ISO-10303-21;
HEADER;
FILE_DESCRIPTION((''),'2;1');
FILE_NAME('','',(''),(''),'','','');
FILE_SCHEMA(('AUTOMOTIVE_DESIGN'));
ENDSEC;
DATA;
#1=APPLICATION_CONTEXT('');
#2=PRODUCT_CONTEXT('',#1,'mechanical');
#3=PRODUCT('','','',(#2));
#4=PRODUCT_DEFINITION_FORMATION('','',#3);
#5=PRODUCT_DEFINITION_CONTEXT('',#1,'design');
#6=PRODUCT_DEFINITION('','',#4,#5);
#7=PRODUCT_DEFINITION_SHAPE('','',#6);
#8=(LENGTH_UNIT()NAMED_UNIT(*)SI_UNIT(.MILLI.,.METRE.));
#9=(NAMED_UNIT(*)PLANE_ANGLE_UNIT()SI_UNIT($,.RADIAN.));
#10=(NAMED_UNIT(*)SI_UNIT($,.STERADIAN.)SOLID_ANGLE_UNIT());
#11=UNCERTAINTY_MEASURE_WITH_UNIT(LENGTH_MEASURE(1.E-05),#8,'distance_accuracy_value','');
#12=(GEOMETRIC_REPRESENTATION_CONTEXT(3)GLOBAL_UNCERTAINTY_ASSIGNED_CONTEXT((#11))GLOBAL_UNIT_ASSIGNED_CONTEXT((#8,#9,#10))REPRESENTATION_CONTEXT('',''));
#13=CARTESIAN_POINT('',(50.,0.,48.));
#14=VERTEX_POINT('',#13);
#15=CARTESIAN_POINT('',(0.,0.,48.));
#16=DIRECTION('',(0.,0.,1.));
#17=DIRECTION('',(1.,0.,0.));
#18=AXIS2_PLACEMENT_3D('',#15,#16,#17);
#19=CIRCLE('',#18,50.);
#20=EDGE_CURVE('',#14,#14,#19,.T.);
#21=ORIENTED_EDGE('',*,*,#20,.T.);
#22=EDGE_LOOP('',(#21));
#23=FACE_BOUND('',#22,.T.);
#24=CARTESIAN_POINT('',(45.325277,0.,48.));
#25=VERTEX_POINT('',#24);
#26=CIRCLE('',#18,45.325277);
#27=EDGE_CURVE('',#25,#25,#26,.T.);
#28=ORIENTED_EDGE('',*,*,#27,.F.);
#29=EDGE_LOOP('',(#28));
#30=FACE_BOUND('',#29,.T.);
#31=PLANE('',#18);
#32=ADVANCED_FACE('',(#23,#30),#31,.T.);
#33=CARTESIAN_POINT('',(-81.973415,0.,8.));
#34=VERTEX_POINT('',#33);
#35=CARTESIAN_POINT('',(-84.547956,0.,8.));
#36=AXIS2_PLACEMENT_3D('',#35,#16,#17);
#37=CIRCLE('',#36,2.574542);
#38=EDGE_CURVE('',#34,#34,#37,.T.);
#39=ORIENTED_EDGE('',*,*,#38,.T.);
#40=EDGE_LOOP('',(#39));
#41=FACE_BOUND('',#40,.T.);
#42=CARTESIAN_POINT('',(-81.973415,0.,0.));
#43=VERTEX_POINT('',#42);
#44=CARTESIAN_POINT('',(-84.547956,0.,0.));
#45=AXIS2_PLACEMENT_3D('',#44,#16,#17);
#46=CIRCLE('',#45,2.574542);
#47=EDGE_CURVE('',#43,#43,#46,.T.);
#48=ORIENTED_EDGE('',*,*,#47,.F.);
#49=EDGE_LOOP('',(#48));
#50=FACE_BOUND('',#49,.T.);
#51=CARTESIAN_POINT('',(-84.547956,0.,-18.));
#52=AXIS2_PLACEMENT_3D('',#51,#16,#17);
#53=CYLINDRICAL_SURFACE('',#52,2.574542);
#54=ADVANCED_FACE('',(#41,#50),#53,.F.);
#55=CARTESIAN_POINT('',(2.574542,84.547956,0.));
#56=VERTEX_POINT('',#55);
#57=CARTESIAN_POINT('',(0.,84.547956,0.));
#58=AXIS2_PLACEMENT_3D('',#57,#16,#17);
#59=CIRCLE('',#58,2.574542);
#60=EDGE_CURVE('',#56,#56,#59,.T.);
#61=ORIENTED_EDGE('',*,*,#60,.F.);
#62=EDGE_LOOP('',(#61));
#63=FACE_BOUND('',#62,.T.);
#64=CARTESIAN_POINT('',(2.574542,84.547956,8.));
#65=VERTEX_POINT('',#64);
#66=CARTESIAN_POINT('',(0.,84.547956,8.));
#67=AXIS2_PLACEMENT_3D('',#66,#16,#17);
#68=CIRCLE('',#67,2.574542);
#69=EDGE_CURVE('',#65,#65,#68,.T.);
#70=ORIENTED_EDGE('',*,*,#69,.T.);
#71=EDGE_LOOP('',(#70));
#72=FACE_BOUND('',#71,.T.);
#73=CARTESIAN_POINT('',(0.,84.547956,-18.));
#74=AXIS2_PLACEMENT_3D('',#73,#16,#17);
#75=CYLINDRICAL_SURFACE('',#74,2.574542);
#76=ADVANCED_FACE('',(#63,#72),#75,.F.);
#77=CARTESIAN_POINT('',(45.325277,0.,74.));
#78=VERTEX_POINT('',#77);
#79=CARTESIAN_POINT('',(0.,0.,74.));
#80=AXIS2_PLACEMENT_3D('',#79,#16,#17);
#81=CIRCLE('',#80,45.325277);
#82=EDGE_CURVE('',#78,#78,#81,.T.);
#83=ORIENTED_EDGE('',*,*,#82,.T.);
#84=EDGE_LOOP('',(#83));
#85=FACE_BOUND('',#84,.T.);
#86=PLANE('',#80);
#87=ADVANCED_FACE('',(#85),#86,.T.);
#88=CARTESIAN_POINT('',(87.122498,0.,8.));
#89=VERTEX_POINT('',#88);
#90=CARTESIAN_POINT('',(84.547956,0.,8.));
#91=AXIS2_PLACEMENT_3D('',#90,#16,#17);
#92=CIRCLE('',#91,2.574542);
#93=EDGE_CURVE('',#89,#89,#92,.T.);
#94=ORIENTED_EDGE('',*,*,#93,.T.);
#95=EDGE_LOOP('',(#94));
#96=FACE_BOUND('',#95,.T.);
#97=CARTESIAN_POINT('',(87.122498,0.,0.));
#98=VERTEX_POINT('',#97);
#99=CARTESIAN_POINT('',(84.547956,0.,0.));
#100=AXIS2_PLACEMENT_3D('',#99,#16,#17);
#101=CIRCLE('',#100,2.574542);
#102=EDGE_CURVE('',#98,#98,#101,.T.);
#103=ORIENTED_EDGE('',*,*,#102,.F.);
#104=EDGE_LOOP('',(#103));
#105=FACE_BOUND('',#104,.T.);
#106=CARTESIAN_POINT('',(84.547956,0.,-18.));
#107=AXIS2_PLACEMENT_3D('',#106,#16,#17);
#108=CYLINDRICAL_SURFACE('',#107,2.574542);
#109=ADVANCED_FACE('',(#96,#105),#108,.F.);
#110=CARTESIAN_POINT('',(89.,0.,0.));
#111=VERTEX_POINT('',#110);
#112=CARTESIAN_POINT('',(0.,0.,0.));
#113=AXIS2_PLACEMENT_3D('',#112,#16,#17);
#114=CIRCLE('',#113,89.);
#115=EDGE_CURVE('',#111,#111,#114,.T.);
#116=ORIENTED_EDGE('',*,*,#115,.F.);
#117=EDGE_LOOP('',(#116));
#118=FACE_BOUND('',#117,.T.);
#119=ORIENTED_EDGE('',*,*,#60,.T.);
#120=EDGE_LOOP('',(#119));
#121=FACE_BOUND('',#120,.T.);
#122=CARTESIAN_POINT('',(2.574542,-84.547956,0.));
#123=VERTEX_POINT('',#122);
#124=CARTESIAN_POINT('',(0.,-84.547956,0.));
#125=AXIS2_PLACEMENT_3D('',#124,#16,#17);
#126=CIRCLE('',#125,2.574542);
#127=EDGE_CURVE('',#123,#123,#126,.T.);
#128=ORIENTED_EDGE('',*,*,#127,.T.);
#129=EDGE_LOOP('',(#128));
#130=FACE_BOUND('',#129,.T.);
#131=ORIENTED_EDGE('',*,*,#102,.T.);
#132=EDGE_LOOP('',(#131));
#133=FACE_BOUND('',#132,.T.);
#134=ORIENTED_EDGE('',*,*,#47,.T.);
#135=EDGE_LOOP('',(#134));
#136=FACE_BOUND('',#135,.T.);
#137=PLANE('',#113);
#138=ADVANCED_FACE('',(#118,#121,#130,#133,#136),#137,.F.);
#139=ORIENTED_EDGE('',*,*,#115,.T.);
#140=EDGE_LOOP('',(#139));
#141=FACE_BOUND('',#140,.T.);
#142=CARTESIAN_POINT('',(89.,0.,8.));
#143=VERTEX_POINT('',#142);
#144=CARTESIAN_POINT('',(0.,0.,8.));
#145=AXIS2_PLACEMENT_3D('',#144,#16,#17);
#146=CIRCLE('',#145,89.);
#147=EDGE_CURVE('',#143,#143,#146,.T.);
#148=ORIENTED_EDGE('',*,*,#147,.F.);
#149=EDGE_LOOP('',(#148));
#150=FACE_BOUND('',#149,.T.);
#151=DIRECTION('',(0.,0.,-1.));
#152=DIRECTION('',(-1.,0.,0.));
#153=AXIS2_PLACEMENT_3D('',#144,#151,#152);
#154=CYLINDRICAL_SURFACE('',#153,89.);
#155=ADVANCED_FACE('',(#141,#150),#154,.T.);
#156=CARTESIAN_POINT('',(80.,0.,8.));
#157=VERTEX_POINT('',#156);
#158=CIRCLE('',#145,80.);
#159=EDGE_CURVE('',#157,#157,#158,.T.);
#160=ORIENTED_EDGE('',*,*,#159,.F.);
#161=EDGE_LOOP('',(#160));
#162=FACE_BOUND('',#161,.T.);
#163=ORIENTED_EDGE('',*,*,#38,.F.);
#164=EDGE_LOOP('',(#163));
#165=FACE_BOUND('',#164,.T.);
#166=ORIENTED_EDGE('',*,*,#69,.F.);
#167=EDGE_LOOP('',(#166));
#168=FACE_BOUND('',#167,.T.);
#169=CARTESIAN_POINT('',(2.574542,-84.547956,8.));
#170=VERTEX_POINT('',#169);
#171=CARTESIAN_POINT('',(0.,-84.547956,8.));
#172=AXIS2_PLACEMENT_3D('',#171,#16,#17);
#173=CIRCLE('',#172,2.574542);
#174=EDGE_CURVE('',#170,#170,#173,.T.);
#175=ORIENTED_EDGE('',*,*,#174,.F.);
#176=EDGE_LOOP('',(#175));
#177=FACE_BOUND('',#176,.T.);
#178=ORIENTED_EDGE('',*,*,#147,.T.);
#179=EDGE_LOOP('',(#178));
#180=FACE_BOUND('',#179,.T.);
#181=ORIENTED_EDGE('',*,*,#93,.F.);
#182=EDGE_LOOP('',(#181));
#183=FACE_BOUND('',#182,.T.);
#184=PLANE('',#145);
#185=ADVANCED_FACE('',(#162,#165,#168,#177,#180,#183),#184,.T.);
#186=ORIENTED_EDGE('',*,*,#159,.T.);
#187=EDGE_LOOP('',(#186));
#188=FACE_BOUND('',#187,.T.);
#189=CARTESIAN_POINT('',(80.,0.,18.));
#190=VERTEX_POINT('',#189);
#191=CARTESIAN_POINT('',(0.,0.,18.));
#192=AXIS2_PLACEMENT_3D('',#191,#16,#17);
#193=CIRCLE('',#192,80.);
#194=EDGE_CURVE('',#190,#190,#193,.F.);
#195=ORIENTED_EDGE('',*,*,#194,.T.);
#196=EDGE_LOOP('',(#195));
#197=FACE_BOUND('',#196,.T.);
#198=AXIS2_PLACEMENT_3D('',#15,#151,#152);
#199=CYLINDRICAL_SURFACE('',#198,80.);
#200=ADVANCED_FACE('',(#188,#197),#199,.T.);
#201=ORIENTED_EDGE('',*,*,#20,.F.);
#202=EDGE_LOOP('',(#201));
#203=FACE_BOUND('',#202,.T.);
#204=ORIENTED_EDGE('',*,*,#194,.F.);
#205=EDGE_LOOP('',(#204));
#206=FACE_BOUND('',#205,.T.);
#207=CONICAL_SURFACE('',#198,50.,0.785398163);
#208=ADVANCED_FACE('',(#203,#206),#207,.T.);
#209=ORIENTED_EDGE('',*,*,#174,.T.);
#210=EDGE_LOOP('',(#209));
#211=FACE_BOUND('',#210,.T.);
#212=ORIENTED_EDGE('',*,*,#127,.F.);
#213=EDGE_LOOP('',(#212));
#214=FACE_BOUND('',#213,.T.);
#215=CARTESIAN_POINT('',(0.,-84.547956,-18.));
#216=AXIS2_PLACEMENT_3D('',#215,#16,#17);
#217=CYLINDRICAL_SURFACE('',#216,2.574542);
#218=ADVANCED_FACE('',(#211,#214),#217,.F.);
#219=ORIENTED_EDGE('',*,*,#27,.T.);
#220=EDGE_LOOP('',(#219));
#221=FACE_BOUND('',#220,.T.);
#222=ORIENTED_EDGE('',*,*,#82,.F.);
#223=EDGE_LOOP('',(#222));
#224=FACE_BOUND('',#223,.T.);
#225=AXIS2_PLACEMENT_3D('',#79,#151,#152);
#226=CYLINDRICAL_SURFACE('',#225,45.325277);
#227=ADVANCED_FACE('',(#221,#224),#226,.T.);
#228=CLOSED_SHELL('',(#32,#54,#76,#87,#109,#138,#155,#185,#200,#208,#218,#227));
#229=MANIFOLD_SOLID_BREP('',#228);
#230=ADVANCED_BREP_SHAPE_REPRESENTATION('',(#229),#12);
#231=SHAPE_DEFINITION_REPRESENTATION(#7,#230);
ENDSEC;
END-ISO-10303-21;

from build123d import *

# Parameters (mm, degrees)
SKETCH1_R           = 89
BOSS_EXTRUDE1_DEPTH = 8
SKETCH2_R           = 80
BOSS_EXTRUDE2_DEPTH = 40
CHAMFER2_SIZE       = 30
SKETCH5_R           = 45.325276546
BOSS_EXTRUDE3_DEPTH = 26
SKETCH6_R           = 2.574541915
CUT_EXTRUDE1_DEPTH  = 26


with BuildPart() as part:
    # Sketch1 → Boss-Extrude1 (new body)
    with BuildSketch(Plane.XY):
        Circle(SKETCH1_R)
    extrude(amount=BOSS_EXTRUDE1_DEPTH)

    # Sketch2 → Boss-Extrude2 (add)
    with BuildSketch(Plane.XY.offset(8)):
        Circle(SKETCH2_R)
    extrude(amount=BOSS_EXTRUDE2_DEPTH)

    # Chamfer2
    chamfer2_edges = [part.edges().sort_by_distance(p)[0] for p in [
        (-80, 0, 48),
    ]]
    chamfer(chamfer2_edges, length=CHAMFER2_SIZE)

    # Sketch5 → Boss-Extrude3 (add)
    with BuildSketch(Plane.XY.offset(48)):
        Circle(SKETCH5_R)
    extrude(amount=BOSS_EXTRUDE3_DEPTH)

    # Sketch6 → Cut-Extrude1 (cut)
    with BuildSketch(Plane.XY.offset(8)):
        with Locations((0, 84.547956484)):
            Circle(SKETCH6_R)
        with Locations((84.547956484, 0)):
            Circle(SKETCH6_R)
        with Locations((0, -84.547956484)):
            Circle(SKETCH6_R)
        with Locations((-84.547956484, 0)):
            Circle(SKETCH6_R)
    extrude(amount=-CUT_EXTRUDE1_DEPTH, mode=Mode.SUBTRACT)


solid = part.part
